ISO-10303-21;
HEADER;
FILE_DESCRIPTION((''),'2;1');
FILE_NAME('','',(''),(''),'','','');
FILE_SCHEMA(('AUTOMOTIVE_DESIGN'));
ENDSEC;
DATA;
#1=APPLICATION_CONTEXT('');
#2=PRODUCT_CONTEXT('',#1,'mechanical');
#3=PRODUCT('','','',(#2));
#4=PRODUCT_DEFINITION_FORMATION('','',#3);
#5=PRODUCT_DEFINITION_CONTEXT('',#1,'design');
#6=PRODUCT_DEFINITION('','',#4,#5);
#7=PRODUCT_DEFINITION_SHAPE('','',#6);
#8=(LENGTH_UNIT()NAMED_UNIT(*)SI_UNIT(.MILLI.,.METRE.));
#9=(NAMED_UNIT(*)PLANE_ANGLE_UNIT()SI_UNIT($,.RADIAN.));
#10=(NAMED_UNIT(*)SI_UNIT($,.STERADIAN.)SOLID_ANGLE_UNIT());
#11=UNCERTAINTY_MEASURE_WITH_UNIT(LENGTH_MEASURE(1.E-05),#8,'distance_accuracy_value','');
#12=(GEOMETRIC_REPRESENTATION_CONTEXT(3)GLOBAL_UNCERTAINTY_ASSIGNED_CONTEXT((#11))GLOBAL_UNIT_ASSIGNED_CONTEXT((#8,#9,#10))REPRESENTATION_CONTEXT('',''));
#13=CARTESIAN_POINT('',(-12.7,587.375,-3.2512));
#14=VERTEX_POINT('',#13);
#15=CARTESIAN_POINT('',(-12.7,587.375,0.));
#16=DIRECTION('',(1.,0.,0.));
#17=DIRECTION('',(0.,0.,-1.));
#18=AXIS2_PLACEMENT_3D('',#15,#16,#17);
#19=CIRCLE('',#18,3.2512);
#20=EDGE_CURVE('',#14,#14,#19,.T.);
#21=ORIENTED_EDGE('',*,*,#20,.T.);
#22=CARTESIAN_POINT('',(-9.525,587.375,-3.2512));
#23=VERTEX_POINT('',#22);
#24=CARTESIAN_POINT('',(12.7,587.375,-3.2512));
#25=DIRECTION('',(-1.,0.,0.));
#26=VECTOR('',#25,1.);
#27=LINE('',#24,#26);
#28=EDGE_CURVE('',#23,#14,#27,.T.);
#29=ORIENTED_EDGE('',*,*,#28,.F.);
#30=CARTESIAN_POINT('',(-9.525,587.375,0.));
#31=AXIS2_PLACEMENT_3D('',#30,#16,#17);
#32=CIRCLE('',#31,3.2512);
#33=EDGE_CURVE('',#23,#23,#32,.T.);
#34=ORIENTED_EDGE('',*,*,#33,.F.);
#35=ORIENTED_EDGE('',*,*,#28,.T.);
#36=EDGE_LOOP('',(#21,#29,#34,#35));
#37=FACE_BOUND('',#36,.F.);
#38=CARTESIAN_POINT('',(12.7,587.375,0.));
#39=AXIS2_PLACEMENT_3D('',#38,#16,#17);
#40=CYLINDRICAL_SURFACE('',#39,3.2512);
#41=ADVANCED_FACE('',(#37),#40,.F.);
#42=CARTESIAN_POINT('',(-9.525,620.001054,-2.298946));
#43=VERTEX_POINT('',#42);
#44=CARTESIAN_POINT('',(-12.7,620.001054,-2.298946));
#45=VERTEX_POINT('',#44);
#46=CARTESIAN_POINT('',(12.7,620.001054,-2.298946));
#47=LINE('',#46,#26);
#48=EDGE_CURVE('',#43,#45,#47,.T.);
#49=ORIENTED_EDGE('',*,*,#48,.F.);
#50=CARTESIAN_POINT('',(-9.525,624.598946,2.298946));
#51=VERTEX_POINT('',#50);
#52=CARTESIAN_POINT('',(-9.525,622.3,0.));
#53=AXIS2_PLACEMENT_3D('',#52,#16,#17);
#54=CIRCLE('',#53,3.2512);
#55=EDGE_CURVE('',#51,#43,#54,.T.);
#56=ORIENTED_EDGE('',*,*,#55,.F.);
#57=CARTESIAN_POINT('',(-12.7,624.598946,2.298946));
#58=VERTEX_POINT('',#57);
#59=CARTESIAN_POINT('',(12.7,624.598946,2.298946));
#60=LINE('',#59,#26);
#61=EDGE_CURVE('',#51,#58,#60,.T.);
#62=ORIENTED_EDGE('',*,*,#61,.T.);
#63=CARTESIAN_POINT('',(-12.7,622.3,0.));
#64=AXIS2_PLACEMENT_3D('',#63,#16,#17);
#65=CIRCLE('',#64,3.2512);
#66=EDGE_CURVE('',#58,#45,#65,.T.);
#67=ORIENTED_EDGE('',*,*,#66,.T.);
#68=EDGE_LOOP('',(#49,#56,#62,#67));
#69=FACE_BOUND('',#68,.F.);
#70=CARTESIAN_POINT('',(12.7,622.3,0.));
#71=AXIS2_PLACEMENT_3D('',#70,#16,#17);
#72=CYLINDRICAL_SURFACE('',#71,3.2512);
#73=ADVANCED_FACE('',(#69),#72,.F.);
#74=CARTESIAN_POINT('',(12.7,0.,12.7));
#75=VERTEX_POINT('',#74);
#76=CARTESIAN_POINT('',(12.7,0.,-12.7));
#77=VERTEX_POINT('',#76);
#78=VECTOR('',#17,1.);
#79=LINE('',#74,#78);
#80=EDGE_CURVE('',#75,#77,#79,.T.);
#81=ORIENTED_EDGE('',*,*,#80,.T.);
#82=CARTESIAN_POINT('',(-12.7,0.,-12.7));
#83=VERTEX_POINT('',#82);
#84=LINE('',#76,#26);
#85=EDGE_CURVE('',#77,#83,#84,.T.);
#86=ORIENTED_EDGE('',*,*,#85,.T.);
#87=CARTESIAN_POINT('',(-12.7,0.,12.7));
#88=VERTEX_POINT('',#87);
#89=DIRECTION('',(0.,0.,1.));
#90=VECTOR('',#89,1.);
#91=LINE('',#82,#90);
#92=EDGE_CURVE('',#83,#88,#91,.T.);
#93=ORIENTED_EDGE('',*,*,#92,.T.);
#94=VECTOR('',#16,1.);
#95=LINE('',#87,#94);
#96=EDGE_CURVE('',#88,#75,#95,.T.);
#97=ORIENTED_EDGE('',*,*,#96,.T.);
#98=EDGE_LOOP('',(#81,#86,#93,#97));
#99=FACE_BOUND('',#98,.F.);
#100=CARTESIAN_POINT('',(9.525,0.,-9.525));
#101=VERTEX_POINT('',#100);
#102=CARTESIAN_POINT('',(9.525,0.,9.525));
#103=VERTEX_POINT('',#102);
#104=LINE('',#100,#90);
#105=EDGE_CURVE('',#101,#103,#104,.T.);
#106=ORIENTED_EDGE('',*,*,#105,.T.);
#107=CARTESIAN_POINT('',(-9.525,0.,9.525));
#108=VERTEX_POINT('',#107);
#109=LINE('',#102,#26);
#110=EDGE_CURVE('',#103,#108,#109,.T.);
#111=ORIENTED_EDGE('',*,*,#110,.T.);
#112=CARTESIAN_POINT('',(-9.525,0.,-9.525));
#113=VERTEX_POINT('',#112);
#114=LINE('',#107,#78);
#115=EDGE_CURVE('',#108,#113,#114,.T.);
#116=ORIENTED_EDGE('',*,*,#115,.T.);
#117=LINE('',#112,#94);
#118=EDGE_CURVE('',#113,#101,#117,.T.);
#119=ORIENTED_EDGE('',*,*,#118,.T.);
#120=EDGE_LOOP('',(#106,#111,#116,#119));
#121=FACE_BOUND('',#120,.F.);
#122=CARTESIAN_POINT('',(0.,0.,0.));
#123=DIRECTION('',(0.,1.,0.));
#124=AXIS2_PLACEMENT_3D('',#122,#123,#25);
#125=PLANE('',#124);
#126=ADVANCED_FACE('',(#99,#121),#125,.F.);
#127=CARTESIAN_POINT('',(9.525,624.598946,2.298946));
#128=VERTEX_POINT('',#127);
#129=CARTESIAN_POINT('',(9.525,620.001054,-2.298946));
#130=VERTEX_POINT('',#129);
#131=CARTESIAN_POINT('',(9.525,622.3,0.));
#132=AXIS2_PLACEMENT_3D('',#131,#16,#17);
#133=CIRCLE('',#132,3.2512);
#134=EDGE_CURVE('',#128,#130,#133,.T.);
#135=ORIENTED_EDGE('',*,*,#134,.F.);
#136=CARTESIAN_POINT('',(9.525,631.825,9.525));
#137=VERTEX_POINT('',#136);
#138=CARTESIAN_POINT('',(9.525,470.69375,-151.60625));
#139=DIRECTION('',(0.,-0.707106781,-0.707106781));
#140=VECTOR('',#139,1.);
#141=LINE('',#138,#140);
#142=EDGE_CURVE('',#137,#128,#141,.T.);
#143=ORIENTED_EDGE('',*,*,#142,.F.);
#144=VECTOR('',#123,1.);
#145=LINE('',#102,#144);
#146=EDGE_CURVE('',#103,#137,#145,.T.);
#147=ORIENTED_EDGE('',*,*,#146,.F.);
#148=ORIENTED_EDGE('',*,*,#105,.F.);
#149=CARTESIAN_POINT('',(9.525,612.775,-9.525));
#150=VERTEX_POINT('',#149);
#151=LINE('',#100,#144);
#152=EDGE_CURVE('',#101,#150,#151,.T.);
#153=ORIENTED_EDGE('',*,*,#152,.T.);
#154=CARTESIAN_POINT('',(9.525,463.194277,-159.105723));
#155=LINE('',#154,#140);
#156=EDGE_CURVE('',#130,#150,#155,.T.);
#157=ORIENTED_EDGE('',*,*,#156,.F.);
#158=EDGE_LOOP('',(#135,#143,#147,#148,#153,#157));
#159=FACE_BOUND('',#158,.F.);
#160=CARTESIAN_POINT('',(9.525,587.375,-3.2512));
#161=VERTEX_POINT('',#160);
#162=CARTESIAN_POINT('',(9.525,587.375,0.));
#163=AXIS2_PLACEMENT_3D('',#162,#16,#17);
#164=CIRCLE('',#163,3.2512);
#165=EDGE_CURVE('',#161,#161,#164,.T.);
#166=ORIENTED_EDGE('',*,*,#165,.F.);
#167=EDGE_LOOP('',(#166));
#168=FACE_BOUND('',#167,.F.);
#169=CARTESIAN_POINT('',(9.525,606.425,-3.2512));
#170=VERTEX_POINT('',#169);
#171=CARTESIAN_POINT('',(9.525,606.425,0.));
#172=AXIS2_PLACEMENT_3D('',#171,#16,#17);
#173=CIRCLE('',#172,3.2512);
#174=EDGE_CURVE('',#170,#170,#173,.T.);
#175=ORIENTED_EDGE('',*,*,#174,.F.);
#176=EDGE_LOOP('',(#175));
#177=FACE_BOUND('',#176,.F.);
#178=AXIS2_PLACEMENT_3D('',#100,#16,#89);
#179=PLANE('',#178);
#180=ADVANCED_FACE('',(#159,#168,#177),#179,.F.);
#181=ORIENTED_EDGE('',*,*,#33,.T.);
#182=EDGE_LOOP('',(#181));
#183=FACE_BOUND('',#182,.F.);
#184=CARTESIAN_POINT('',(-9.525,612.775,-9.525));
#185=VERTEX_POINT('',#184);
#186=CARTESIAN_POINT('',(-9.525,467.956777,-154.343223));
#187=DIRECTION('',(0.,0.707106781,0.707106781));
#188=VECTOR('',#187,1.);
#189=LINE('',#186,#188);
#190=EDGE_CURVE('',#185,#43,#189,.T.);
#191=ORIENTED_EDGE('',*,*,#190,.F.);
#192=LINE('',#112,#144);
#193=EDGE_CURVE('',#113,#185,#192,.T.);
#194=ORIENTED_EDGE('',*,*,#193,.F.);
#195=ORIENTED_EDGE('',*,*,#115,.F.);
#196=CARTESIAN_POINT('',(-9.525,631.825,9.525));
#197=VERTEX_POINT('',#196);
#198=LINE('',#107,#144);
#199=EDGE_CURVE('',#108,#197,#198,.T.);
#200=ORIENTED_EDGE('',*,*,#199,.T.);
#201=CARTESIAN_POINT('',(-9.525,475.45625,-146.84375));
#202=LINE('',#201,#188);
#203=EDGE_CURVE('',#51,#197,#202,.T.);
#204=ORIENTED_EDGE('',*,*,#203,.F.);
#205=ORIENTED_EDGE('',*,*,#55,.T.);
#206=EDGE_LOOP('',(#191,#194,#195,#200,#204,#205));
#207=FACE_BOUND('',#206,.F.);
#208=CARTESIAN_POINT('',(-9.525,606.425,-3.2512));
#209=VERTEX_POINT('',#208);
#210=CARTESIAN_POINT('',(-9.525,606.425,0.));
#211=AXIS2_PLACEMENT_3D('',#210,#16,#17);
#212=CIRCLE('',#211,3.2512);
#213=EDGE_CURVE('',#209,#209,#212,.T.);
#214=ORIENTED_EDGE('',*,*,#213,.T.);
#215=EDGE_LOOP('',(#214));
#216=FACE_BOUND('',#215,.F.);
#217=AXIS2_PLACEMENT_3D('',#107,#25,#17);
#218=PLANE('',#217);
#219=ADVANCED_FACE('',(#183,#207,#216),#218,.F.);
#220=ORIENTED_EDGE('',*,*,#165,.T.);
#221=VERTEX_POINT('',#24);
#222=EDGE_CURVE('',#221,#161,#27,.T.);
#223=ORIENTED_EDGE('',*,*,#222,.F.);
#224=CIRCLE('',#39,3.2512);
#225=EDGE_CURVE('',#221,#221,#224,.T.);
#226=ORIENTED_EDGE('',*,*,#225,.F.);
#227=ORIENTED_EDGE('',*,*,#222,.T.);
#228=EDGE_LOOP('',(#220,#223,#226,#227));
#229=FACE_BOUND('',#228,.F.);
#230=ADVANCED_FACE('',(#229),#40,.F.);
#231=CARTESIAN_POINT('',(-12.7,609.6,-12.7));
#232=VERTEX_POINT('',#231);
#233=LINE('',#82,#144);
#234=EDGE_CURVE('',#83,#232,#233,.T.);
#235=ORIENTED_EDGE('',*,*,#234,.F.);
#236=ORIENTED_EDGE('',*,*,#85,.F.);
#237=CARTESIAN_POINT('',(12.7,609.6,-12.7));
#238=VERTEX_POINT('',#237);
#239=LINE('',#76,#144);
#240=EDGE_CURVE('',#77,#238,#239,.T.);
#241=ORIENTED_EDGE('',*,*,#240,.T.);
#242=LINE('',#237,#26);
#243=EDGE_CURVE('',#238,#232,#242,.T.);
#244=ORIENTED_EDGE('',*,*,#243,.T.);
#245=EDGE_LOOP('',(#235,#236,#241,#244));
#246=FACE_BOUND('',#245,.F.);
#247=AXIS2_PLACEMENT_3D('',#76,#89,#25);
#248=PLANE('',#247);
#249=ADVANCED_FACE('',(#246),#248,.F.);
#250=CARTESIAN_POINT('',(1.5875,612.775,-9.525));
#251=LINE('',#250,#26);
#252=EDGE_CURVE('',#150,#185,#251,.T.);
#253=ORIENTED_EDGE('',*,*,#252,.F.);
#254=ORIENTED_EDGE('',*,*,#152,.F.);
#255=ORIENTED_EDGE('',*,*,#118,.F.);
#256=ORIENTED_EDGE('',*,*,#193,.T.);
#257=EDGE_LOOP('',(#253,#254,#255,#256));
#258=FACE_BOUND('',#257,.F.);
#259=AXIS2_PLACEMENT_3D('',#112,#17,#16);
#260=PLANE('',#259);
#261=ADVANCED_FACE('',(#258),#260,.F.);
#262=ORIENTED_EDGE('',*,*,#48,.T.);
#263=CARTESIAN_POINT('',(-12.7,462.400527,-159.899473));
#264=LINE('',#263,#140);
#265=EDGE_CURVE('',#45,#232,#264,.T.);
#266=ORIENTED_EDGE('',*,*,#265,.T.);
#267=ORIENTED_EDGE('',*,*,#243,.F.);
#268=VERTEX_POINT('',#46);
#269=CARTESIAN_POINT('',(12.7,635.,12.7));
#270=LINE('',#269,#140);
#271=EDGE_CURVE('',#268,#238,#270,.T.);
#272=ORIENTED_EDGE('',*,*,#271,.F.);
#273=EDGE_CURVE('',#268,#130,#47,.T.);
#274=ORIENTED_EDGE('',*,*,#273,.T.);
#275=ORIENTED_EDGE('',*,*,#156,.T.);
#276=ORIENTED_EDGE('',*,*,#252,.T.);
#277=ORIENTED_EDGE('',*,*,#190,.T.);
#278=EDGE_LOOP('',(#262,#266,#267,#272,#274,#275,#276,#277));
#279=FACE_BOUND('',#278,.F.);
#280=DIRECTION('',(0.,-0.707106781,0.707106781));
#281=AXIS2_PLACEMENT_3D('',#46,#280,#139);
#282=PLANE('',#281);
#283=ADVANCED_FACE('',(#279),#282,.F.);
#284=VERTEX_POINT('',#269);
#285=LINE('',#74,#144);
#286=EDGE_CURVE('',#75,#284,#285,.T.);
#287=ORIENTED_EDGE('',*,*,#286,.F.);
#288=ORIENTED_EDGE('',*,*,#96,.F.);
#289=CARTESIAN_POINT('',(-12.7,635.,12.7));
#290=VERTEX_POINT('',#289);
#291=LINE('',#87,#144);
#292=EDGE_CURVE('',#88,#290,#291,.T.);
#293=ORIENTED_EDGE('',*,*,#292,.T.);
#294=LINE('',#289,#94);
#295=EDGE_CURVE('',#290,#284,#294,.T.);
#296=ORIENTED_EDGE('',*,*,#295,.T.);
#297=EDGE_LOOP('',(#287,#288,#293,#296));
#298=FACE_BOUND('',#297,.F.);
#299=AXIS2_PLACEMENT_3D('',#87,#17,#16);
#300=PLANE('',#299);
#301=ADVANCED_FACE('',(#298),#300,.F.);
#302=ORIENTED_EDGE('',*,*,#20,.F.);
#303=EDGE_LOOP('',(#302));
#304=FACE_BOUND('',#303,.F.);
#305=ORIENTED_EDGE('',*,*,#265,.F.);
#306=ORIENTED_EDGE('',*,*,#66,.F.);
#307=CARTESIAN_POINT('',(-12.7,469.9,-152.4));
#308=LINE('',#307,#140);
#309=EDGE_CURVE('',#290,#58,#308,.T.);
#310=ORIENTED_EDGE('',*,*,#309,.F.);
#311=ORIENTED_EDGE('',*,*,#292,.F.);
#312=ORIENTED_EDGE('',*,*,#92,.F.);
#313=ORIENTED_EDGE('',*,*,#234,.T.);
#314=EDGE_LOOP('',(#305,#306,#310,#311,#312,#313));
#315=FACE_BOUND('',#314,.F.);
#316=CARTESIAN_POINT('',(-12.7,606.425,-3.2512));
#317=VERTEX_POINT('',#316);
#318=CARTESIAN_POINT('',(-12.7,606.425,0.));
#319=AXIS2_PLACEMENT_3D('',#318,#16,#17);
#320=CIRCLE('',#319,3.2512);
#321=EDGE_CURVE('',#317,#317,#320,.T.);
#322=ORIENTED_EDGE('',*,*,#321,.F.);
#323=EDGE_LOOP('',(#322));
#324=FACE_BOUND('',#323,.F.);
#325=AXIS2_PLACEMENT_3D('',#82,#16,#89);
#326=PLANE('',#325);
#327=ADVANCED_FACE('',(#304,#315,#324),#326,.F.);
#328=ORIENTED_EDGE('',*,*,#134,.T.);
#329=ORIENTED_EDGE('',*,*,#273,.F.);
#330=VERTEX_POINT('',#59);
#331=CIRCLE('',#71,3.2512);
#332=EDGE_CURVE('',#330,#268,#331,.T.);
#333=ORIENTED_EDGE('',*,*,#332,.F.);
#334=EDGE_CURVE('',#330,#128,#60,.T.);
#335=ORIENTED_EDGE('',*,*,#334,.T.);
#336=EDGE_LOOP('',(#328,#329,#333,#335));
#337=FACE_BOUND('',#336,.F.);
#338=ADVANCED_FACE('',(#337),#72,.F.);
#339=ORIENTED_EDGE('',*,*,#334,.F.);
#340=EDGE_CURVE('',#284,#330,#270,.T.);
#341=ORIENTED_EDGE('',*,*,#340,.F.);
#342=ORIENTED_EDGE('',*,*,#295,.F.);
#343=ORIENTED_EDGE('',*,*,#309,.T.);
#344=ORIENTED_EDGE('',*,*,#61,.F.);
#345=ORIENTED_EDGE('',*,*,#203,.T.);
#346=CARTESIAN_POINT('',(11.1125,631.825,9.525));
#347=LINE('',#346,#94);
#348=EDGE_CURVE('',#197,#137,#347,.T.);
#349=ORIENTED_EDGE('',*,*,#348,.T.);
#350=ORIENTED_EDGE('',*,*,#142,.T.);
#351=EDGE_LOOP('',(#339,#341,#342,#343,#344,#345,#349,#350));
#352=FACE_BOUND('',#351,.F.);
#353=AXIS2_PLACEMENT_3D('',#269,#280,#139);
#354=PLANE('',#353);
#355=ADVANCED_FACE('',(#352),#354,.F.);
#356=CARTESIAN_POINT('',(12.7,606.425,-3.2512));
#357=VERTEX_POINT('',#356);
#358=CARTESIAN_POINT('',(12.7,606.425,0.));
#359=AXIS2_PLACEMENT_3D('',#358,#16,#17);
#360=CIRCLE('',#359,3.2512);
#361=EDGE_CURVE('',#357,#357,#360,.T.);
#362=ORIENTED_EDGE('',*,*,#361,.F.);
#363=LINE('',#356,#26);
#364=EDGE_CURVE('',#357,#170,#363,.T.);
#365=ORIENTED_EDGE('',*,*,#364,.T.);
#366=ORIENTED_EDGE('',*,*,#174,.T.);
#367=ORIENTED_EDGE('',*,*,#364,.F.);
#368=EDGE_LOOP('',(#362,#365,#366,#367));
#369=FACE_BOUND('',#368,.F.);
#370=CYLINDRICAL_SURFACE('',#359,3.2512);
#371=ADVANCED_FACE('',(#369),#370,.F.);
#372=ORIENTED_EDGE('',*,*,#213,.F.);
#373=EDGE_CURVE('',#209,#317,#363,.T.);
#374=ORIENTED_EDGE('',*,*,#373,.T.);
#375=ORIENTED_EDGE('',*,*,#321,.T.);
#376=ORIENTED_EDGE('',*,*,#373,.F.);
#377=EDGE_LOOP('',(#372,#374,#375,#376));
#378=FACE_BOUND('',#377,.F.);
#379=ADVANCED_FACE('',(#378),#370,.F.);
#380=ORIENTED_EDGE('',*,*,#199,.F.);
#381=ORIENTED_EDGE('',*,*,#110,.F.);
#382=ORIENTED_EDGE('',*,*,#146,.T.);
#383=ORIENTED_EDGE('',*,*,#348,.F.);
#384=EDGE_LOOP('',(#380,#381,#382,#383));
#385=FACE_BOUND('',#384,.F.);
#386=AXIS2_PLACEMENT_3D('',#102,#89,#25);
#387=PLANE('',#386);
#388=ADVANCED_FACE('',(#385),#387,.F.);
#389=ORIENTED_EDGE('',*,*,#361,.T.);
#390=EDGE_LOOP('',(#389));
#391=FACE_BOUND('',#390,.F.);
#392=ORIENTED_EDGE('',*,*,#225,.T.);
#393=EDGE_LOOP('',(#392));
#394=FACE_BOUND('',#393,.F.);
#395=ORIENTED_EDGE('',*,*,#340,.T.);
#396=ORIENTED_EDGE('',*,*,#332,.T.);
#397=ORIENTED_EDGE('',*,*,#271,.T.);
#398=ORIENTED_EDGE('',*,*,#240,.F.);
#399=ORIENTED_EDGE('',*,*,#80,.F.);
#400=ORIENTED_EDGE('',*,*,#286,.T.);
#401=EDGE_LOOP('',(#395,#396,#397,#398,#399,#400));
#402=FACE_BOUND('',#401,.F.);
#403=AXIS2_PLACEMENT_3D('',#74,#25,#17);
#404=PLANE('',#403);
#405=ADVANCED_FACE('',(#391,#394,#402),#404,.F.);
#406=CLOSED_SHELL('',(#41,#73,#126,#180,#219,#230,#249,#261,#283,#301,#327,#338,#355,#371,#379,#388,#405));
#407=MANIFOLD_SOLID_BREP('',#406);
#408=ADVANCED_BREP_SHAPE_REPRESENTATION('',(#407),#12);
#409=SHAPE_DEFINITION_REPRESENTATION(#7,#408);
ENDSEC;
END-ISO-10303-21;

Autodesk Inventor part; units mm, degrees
ref_plane "YZ Plane" through (0, 0, 0) normal (1, 0, 0) x (0, 1, 0)
ref_plane "XZ Plane" through (0, 0, 0) normal (0, 1, 0) x (-1, 0, 0)
ref_plane "XY Plane" through (0, 0, 0) normal (0, 0, 1) x (1, 0, 0)
sketch "Sketch1" plane through (0, 0, 0) normal (0, 1, 0) x (-1, 0, 0)
  line L0 (-12.7, -12.7) -> (12.7, -12.7)
  line L1 (12.7, -12.7) -> (12.7, 12.7)
  line L2 (12.7, 12.7) -> (-12.7, 12.7)
  line L3 (-12.7, 12.7) -> (-12.7, -12.7)
  line L4 (-12.7, -12.7) -> (12.7, 12.7) construction
  line L5 (12.7, -12.7) -> (-12.7, 12.7) construction
  line L6 (9.525, 9.525) -> (9.525, -9.525)
  line L7 (9.525, -9.525) -> (-9.525, -9.525)
  line L8 (-9.525, -9.525) -> (-9.525, 9.525)
  line L9 (-9.525, 9.525) -> (9.525, 9.525)
  point P0 (0, 0)
  dimension "d0" = 25.4
  dimension "d1" = 25.4
  dimension "d2" = 3.175
extrude "Extrusion1" add sketch "Sketch1" along normal blind 635
sketch "Sketch2" plane through (12.7, 0, 12.7) normal (1, 0, 0) x (0, 0, -1)
  line L0 (25.4, 635) -> (0, 635) projected
  line L1 (0, 635) -> (25.4, 609.6)
  line L2 (25.4, 0) -> (25.4, 635) projected
  circle A0 centre (12.7, 622.3) radius 3.2512
  circle A1 centre (12.7, 606.425) radius 3.2512
  circle A2 centre (12.7, 587.375) radius 3.2512
  point P0 (12.7, 0)
  point P1 (10.4011, 624.5989)
  point P2 (14.9989, 620.0011)
  dimension "d5" = 25.4
  dimension "d6" = 6.5024
  dimension "d7" = 28.575
  dimension "d8" = 19.05
extrude "Extrusion2" cut sketch "Sketch2" against normal through all
properties part number "STRU_005_BilletPole_25in_Angled"
